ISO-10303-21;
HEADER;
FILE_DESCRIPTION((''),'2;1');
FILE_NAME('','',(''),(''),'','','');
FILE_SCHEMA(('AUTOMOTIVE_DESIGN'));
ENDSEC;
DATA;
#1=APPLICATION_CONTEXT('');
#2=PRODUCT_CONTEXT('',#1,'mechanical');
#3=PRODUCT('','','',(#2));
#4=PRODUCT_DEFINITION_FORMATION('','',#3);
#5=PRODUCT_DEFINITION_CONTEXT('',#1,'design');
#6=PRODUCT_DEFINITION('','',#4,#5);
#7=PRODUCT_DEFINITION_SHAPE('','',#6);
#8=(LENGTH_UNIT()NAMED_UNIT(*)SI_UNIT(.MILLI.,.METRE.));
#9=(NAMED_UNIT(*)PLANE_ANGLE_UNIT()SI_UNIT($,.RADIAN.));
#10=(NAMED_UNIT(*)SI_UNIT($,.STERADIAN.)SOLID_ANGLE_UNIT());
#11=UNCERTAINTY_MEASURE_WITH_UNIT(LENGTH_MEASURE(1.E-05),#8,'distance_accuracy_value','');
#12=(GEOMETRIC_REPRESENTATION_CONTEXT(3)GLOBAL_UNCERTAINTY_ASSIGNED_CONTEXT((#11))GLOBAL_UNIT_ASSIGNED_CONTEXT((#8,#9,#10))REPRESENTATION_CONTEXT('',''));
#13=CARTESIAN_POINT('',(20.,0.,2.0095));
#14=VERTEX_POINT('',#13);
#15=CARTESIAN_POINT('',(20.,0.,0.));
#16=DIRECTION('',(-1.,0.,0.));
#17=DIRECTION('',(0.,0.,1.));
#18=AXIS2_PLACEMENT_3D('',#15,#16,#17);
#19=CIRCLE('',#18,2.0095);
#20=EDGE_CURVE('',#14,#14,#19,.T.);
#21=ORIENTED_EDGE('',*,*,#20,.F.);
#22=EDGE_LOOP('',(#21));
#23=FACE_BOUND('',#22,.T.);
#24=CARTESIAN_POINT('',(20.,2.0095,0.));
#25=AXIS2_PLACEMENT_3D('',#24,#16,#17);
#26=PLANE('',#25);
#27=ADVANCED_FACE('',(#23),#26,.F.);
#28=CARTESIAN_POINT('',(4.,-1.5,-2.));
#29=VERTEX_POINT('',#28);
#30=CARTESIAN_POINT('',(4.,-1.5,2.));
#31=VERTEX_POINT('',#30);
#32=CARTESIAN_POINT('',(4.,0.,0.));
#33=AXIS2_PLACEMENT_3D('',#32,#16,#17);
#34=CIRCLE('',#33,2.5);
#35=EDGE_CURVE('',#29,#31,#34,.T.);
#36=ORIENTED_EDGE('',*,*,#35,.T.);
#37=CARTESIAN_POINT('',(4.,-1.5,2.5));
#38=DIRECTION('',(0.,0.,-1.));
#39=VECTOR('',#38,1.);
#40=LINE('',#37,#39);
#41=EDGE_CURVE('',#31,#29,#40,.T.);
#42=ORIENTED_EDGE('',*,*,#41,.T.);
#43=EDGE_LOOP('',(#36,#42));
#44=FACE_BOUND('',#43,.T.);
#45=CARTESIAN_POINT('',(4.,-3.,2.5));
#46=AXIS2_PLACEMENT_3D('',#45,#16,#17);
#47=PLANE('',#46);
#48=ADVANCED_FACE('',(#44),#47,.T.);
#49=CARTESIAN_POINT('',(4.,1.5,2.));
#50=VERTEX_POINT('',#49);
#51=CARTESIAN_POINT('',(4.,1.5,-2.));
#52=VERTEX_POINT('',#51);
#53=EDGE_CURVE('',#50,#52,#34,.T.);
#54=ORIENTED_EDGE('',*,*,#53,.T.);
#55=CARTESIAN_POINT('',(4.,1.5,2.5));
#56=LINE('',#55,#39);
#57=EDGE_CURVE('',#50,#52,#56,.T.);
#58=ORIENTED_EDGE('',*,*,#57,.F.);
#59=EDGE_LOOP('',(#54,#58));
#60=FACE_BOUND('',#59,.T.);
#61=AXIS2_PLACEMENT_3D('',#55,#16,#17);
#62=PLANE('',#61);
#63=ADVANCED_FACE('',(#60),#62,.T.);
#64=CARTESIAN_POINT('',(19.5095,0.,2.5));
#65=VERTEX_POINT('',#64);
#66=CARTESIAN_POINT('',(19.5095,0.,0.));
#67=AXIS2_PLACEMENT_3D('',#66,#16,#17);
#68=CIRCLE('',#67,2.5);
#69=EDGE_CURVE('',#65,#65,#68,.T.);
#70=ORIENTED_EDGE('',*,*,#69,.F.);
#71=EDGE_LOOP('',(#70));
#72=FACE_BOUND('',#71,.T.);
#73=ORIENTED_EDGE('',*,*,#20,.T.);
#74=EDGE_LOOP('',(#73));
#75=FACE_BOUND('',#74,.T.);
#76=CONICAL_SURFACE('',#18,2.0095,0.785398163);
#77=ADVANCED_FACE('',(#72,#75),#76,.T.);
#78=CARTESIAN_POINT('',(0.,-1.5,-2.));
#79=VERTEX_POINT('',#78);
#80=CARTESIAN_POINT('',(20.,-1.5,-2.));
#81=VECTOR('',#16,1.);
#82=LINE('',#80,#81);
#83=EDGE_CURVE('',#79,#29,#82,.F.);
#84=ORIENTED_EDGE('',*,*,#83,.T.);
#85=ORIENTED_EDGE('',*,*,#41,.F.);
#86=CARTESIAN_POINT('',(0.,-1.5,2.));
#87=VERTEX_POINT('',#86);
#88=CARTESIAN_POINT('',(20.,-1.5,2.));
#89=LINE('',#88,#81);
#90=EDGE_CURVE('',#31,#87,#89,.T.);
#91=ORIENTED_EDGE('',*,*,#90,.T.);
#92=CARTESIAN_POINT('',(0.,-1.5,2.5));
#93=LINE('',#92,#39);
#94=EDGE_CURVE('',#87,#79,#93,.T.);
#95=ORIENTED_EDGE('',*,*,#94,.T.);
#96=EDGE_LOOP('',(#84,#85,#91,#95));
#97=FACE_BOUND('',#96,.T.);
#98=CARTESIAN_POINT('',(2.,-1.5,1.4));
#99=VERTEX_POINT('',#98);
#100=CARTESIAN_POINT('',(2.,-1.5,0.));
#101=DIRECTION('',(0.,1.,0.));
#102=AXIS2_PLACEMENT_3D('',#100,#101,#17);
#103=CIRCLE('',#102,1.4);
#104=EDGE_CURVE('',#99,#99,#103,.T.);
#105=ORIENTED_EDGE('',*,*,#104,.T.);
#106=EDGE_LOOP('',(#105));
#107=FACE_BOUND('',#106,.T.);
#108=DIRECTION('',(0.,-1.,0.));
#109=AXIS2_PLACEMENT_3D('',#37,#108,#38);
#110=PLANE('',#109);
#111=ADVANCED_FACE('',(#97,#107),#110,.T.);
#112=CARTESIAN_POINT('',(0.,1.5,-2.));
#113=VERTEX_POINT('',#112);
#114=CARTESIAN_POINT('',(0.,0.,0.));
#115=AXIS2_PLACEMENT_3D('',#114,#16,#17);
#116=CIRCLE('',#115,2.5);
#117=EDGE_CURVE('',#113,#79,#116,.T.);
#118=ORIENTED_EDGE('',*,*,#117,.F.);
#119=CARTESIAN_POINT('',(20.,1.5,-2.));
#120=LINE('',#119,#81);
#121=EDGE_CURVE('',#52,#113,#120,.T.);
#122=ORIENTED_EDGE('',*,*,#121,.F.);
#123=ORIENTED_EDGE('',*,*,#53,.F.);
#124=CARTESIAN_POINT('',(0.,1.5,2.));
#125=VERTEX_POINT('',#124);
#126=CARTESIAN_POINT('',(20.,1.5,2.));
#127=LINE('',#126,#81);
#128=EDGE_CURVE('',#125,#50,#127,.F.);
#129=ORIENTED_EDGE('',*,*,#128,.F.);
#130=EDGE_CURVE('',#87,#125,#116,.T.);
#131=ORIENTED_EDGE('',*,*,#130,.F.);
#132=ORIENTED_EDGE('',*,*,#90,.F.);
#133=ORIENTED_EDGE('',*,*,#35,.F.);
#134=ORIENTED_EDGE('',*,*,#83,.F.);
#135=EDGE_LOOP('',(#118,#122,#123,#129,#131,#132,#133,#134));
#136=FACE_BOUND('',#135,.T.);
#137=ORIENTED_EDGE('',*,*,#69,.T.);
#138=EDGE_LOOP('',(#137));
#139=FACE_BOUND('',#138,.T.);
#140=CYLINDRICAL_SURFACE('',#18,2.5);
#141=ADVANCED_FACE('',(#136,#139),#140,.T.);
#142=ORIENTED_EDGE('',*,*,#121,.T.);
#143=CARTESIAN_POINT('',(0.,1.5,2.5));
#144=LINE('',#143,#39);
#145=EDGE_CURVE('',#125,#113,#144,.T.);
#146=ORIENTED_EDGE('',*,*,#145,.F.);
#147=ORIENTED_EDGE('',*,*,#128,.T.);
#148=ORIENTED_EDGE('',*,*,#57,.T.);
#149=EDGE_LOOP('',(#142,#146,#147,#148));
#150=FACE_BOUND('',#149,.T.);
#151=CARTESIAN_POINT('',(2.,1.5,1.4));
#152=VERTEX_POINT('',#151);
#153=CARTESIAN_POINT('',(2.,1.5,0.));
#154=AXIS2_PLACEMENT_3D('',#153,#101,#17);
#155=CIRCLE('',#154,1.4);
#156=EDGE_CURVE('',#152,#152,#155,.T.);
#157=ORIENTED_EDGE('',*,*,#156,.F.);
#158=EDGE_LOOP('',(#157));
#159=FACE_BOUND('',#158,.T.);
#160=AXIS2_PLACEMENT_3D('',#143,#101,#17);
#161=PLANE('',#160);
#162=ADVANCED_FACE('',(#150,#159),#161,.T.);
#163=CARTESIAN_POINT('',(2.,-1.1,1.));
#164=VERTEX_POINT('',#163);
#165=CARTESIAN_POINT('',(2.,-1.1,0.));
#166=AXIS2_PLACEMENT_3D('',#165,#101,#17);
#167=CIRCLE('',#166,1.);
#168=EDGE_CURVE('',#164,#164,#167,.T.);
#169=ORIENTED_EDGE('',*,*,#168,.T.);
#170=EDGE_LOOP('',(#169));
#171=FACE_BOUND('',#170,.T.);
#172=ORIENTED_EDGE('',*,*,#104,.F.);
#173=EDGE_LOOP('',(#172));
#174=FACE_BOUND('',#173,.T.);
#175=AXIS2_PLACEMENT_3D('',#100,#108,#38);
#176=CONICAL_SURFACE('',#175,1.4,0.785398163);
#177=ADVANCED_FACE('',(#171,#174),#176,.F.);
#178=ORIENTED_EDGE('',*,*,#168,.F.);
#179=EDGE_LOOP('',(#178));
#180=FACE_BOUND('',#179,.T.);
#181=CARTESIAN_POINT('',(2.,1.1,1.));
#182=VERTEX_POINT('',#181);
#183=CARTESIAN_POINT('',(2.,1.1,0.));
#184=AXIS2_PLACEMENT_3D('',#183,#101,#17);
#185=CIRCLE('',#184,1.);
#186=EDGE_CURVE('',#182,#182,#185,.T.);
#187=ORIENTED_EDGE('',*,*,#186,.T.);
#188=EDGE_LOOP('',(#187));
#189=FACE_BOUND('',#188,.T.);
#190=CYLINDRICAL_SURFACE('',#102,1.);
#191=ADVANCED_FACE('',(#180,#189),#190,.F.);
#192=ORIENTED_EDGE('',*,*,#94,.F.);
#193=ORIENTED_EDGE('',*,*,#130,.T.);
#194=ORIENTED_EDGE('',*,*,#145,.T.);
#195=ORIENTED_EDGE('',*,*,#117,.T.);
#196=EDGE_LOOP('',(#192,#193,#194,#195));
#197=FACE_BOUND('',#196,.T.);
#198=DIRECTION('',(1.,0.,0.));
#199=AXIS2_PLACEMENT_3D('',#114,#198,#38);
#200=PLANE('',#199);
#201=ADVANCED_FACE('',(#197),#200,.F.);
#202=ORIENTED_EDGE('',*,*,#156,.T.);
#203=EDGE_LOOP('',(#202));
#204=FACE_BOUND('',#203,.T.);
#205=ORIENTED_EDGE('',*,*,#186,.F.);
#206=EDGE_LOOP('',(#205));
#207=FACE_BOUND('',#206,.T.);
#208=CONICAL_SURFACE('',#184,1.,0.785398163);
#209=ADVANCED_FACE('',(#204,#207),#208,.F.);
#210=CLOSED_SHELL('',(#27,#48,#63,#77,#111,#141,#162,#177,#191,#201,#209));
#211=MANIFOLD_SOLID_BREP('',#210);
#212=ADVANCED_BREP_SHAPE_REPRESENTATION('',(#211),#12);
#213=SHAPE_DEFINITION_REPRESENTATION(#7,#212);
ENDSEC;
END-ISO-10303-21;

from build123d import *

# Parameters (mm, degrees)
CUT_EXTRUDE1_DEPTH      = 2.5
CUT_EXTRUDE1_DEPTH_BACK = 2.5


with BuildPart() as part:
    # Sketch1 → Revolve1 (revolve)
    with BuildSketch(Plane.XY):
        Polygon((0, 0), (0, 2.5), (19.5095, 2.5), (20, 2.0095), (20, 0), align=None)
    revolve(axis=Axis((20, 0, 0), (-1, 0, 0)))

    # Sketch2 → Cut-Extrude1 (cut, two sides: drawn at the far end of the back side and taken through both)
    with BuildSketch(Plane.XY.offset(-CUT_EXTRUDE1_DEPTH_BACK)):
        Polygon((-1, 3), (-1, -3), (4, -3), (4, -1.5), (0, -1.5), (0, 1.5), (4, 1.5), (4, 3), align=None)
    extrude(amount=CUT_EXTRUDE1_DEPTH + CUT_EXTRUDE1_DEPTH_BACK, mode=Mode.SUBTRACT)

    # Sketch3 → Cut-Revolve1 (revolve, cut)
    with BuildSketch(Plane.XY):
        Polygon((2, 1.5), (3.4, 1.5), (3, 1.1), (3, -1.1), (3.4, -1.5), (2, -1.5), align=None)
    revolve(axis=Axis((2, -1.5, 0), (0, 1, 0)), mode=Mode.SUBTRACT)


solid = part.part
